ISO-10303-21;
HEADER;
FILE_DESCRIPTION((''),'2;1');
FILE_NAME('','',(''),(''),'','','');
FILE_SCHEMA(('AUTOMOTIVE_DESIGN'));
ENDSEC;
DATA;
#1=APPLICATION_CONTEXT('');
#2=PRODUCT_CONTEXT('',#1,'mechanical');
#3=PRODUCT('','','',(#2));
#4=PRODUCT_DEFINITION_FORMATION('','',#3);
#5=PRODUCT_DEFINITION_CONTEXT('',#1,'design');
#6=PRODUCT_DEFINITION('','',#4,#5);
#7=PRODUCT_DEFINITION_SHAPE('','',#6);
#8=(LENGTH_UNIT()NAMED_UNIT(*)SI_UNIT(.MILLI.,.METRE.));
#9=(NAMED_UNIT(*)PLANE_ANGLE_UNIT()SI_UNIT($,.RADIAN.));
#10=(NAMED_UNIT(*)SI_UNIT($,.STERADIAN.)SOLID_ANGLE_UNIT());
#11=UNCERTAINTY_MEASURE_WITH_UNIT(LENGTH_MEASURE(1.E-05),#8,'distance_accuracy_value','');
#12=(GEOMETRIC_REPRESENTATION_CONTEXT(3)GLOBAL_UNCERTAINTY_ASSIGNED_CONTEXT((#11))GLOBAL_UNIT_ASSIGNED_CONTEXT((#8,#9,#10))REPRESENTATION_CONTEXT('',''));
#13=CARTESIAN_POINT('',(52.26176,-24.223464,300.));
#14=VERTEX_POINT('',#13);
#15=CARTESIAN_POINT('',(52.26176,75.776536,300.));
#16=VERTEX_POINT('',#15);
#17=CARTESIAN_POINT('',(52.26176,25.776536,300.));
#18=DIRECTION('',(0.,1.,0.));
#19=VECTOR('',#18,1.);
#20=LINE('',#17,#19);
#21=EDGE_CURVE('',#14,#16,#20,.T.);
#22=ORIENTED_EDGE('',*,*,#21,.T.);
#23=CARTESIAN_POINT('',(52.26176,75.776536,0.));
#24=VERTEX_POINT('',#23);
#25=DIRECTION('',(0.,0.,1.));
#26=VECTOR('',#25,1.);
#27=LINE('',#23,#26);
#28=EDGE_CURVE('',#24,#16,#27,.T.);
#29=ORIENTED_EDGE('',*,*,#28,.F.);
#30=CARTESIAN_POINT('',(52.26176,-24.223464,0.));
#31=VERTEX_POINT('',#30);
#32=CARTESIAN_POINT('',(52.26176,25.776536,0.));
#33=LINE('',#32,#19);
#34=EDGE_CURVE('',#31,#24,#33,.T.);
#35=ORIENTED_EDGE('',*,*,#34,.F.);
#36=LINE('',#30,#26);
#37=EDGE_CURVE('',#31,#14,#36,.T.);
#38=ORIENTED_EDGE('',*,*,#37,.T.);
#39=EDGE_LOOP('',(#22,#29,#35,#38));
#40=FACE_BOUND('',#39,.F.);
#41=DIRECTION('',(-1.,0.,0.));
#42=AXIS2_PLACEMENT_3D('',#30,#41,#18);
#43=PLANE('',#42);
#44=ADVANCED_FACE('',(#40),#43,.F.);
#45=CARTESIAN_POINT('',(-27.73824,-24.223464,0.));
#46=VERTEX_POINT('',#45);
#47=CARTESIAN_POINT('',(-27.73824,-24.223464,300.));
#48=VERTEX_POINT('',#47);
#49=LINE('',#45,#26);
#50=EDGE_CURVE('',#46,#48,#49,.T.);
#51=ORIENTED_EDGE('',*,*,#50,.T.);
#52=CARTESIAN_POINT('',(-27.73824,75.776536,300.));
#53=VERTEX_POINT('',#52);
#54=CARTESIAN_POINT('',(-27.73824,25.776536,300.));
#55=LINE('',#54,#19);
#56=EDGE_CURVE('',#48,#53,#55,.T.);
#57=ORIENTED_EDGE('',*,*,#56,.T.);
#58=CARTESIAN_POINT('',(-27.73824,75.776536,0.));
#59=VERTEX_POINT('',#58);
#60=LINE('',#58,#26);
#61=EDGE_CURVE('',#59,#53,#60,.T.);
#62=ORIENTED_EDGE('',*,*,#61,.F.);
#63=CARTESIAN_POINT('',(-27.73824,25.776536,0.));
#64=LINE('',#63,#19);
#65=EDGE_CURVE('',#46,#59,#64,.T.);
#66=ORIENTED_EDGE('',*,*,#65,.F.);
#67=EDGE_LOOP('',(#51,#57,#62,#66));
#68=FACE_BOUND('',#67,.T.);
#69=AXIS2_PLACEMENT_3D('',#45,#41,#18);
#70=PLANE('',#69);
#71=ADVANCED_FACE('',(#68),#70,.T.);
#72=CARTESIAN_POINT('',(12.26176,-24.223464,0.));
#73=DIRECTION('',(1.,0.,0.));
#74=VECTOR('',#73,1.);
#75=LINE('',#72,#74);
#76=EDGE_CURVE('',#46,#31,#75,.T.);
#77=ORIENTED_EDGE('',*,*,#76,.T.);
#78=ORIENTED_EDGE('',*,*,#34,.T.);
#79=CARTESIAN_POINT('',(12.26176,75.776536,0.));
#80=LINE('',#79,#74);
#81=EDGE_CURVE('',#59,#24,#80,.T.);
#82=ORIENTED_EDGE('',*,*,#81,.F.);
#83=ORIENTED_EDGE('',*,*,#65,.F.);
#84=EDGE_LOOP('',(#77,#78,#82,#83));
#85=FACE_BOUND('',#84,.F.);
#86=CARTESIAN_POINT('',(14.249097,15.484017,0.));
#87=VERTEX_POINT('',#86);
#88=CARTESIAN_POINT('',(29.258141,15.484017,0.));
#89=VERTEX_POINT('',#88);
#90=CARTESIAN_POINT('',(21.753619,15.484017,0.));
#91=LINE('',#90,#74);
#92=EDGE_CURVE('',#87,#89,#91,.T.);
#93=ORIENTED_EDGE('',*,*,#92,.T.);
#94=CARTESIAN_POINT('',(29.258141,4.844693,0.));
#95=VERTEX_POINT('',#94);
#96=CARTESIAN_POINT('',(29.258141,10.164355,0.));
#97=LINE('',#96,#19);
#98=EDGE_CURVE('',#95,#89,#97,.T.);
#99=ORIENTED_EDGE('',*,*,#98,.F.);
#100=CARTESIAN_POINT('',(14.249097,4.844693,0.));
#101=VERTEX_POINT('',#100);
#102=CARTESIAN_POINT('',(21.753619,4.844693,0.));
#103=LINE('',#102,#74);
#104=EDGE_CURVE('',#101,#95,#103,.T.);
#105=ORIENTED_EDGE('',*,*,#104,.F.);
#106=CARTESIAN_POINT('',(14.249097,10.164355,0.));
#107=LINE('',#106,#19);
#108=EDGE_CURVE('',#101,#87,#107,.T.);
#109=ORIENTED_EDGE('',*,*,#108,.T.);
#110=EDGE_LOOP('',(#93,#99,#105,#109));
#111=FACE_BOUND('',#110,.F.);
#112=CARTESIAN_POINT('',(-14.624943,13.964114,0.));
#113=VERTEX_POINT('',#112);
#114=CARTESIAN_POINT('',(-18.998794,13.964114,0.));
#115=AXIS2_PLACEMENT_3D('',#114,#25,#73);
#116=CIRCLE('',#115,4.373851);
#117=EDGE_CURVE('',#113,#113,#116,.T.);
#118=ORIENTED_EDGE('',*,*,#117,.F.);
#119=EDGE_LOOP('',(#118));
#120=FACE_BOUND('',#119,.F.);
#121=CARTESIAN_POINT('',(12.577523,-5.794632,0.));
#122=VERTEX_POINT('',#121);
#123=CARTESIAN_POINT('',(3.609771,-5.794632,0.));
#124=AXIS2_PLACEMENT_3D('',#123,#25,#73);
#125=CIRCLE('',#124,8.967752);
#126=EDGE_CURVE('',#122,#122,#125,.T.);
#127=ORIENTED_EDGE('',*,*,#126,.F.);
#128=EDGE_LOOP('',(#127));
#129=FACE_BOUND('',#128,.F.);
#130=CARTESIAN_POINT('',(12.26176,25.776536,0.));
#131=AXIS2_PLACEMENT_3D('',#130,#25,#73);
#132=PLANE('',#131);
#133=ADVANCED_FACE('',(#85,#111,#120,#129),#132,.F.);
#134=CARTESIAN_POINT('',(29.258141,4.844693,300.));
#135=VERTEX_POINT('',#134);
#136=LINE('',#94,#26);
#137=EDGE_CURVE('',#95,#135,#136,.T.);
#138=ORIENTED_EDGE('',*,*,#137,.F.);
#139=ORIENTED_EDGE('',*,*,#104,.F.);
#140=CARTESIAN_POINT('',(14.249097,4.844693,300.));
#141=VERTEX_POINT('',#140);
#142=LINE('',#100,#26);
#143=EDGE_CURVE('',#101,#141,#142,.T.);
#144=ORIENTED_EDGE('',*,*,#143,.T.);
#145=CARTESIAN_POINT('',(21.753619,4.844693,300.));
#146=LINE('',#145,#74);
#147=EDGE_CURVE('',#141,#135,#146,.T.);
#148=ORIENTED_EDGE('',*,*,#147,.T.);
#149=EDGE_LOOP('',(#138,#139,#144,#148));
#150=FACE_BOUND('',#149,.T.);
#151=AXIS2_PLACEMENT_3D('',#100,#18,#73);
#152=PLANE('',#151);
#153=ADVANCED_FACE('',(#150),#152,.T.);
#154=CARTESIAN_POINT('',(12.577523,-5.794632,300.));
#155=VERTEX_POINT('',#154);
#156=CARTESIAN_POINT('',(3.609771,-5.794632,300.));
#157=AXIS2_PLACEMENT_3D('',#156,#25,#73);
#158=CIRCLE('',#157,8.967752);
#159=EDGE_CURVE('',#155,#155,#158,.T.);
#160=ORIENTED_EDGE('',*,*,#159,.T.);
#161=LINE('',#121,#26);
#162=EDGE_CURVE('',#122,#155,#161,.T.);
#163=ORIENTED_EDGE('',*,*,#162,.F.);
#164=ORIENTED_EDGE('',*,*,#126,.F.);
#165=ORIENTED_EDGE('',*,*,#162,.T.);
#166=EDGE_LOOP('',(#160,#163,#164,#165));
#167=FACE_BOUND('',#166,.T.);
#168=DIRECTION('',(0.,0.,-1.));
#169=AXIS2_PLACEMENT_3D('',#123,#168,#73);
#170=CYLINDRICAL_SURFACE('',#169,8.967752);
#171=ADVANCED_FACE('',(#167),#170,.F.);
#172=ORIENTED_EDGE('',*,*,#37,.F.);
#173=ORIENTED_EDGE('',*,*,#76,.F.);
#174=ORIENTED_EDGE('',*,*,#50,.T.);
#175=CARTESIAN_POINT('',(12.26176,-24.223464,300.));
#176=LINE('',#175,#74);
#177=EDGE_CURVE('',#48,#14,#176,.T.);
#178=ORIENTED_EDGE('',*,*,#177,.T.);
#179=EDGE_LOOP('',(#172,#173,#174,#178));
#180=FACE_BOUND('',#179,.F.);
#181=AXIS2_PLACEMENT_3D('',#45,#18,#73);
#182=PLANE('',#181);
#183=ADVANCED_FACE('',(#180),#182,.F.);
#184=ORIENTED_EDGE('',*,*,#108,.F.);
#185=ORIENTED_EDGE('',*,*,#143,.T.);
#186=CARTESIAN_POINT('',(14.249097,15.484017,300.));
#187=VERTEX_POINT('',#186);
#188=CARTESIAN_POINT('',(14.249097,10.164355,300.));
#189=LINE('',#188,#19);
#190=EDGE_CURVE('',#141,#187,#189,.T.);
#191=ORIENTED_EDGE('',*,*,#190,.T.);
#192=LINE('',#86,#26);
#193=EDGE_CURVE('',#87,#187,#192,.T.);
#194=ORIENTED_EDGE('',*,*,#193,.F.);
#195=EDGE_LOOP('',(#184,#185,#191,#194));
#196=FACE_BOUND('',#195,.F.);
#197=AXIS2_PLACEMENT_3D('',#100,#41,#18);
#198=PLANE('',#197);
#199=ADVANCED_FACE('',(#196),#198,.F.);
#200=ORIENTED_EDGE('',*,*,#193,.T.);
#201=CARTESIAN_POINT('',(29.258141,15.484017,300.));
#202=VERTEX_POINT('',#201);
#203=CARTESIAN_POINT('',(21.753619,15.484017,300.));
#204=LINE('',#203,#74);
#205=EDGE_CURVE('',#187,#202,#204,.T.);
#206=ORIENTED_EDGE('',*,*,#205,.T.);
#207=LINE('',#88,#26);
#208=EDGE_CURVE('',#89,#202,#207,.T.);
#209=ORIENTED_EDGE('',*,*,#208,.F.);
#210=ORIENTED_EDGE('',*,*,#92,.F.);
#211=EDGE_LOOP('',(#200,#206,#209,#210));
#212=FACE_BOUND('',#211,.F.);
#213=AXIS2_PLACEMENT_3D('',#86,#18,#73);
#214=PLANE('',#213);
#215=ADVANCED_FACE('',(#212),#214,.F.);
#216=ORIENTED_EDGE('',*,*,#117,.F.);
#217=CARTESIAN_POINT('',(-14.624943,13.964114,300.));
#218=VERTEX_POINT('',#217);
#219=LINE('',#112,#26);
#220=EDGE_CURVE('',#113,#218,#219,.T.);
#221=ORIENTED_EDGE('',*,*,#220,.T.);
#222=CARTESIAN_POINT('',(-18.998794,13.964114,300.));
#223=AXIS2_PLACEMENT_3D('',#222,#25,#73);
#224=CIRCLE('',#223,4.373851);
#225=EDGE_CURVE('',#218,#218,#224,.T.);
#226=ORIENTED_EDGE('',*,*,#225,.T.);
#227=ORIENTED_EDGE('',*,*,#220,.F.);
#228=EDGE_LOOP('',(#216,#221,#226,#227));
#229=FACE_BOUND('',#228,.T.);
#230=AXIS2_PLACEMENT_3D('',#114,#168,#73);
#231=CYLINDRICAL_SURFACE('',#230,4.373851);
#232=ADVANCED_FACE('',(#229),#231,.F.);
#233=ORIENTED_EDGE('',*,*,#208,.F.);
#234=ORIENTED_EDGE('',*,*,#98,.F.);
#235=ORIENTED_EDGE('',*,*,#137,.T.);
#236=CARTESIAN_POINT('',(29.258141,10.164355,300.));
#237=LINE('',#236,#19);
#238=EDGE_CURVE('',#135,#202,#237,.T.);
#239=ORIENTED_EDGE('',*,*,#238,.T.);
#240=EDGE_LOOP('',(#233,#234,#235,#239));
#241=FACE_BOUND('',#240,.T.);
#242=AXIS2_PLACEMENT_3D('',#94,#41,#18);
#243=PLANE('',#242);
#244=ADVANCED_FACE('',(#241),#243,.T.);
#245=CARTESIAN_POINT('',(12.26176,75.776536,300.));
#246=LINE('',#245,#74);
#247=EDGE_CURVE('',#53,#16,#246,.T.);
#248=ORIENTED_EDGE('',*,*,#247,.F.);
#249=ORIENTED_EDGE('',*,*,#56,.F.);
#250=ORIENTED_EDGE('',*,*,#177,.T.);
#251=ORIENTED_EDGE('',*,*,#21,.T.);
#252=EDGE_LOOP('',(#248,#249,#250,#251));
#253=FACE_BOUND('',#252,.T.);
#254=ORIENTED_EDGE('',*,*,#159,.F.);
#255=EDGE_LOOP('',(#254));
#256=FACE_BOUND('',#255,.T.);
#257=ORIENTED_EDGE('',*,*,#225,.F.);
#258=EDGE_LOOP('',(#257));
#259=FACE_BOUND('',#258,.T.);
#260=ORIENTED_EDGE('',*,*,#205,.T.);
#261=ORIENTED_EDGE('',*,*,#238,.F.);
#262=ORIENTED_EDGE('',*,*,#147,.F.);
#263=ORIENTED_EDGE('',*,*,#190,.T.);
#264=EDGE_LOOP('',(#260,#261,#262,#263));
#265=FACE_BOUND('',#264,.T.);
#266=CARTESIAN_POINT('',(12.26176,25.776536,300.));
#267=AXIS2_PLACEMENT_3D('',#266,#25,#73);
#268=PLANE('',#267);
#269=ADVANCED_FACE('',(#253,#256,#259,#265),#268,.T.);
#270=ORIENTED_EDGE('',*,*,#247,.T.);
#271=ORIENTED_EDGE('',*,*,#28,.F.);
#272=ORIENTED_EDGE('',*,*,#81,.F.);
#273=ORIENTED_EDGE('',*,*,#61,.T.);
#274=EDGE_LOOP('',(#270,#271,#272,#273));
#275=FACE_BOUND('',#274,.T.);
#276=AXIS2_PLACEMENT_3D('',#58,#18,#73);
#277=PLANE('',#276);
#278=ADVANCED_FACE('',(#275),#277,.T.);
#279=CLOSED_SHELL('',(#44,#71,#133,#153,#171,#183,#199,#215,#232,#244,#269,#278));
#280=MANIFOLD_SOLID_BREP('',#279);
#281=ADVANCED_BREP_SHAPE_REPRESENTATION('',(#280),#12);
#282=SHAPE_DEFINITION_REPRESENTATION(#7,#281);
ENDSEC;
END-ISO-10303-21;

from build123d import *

# Parameters (mm, degrees)
F0_W     = 80
F0_H     = 100
F0_R     = 8.967752
F0_R_2   = 4.373851
F0_W_2   = 15.009044
F0_H_2   = 10.639324
F1_DEPTH = 300


with BuildPart() as f1:
    # F0 (on Top) → F1 (new body)
    with BuildSketch(Plane.XY):
        with Locations((12.26176, 25.776536)):
            Rectangle(F0_W, F0_H)
        with Locations((3.609771, -5.794632)):
            Circle(F0_R, mode=Mode.SUBTRACT)
        with Locations((-18.998794, 13.964114)):
            Circle(F0_R_2, mode=Mode.SUBTRACT)
        with Locations((21.753619, 10.164355)):
            Rectangle(F0_W_2, F0_H_2, mode=Mode.SUBTRACT)
    extrude(amount=F1_DEPTH)


solid = f1.part
